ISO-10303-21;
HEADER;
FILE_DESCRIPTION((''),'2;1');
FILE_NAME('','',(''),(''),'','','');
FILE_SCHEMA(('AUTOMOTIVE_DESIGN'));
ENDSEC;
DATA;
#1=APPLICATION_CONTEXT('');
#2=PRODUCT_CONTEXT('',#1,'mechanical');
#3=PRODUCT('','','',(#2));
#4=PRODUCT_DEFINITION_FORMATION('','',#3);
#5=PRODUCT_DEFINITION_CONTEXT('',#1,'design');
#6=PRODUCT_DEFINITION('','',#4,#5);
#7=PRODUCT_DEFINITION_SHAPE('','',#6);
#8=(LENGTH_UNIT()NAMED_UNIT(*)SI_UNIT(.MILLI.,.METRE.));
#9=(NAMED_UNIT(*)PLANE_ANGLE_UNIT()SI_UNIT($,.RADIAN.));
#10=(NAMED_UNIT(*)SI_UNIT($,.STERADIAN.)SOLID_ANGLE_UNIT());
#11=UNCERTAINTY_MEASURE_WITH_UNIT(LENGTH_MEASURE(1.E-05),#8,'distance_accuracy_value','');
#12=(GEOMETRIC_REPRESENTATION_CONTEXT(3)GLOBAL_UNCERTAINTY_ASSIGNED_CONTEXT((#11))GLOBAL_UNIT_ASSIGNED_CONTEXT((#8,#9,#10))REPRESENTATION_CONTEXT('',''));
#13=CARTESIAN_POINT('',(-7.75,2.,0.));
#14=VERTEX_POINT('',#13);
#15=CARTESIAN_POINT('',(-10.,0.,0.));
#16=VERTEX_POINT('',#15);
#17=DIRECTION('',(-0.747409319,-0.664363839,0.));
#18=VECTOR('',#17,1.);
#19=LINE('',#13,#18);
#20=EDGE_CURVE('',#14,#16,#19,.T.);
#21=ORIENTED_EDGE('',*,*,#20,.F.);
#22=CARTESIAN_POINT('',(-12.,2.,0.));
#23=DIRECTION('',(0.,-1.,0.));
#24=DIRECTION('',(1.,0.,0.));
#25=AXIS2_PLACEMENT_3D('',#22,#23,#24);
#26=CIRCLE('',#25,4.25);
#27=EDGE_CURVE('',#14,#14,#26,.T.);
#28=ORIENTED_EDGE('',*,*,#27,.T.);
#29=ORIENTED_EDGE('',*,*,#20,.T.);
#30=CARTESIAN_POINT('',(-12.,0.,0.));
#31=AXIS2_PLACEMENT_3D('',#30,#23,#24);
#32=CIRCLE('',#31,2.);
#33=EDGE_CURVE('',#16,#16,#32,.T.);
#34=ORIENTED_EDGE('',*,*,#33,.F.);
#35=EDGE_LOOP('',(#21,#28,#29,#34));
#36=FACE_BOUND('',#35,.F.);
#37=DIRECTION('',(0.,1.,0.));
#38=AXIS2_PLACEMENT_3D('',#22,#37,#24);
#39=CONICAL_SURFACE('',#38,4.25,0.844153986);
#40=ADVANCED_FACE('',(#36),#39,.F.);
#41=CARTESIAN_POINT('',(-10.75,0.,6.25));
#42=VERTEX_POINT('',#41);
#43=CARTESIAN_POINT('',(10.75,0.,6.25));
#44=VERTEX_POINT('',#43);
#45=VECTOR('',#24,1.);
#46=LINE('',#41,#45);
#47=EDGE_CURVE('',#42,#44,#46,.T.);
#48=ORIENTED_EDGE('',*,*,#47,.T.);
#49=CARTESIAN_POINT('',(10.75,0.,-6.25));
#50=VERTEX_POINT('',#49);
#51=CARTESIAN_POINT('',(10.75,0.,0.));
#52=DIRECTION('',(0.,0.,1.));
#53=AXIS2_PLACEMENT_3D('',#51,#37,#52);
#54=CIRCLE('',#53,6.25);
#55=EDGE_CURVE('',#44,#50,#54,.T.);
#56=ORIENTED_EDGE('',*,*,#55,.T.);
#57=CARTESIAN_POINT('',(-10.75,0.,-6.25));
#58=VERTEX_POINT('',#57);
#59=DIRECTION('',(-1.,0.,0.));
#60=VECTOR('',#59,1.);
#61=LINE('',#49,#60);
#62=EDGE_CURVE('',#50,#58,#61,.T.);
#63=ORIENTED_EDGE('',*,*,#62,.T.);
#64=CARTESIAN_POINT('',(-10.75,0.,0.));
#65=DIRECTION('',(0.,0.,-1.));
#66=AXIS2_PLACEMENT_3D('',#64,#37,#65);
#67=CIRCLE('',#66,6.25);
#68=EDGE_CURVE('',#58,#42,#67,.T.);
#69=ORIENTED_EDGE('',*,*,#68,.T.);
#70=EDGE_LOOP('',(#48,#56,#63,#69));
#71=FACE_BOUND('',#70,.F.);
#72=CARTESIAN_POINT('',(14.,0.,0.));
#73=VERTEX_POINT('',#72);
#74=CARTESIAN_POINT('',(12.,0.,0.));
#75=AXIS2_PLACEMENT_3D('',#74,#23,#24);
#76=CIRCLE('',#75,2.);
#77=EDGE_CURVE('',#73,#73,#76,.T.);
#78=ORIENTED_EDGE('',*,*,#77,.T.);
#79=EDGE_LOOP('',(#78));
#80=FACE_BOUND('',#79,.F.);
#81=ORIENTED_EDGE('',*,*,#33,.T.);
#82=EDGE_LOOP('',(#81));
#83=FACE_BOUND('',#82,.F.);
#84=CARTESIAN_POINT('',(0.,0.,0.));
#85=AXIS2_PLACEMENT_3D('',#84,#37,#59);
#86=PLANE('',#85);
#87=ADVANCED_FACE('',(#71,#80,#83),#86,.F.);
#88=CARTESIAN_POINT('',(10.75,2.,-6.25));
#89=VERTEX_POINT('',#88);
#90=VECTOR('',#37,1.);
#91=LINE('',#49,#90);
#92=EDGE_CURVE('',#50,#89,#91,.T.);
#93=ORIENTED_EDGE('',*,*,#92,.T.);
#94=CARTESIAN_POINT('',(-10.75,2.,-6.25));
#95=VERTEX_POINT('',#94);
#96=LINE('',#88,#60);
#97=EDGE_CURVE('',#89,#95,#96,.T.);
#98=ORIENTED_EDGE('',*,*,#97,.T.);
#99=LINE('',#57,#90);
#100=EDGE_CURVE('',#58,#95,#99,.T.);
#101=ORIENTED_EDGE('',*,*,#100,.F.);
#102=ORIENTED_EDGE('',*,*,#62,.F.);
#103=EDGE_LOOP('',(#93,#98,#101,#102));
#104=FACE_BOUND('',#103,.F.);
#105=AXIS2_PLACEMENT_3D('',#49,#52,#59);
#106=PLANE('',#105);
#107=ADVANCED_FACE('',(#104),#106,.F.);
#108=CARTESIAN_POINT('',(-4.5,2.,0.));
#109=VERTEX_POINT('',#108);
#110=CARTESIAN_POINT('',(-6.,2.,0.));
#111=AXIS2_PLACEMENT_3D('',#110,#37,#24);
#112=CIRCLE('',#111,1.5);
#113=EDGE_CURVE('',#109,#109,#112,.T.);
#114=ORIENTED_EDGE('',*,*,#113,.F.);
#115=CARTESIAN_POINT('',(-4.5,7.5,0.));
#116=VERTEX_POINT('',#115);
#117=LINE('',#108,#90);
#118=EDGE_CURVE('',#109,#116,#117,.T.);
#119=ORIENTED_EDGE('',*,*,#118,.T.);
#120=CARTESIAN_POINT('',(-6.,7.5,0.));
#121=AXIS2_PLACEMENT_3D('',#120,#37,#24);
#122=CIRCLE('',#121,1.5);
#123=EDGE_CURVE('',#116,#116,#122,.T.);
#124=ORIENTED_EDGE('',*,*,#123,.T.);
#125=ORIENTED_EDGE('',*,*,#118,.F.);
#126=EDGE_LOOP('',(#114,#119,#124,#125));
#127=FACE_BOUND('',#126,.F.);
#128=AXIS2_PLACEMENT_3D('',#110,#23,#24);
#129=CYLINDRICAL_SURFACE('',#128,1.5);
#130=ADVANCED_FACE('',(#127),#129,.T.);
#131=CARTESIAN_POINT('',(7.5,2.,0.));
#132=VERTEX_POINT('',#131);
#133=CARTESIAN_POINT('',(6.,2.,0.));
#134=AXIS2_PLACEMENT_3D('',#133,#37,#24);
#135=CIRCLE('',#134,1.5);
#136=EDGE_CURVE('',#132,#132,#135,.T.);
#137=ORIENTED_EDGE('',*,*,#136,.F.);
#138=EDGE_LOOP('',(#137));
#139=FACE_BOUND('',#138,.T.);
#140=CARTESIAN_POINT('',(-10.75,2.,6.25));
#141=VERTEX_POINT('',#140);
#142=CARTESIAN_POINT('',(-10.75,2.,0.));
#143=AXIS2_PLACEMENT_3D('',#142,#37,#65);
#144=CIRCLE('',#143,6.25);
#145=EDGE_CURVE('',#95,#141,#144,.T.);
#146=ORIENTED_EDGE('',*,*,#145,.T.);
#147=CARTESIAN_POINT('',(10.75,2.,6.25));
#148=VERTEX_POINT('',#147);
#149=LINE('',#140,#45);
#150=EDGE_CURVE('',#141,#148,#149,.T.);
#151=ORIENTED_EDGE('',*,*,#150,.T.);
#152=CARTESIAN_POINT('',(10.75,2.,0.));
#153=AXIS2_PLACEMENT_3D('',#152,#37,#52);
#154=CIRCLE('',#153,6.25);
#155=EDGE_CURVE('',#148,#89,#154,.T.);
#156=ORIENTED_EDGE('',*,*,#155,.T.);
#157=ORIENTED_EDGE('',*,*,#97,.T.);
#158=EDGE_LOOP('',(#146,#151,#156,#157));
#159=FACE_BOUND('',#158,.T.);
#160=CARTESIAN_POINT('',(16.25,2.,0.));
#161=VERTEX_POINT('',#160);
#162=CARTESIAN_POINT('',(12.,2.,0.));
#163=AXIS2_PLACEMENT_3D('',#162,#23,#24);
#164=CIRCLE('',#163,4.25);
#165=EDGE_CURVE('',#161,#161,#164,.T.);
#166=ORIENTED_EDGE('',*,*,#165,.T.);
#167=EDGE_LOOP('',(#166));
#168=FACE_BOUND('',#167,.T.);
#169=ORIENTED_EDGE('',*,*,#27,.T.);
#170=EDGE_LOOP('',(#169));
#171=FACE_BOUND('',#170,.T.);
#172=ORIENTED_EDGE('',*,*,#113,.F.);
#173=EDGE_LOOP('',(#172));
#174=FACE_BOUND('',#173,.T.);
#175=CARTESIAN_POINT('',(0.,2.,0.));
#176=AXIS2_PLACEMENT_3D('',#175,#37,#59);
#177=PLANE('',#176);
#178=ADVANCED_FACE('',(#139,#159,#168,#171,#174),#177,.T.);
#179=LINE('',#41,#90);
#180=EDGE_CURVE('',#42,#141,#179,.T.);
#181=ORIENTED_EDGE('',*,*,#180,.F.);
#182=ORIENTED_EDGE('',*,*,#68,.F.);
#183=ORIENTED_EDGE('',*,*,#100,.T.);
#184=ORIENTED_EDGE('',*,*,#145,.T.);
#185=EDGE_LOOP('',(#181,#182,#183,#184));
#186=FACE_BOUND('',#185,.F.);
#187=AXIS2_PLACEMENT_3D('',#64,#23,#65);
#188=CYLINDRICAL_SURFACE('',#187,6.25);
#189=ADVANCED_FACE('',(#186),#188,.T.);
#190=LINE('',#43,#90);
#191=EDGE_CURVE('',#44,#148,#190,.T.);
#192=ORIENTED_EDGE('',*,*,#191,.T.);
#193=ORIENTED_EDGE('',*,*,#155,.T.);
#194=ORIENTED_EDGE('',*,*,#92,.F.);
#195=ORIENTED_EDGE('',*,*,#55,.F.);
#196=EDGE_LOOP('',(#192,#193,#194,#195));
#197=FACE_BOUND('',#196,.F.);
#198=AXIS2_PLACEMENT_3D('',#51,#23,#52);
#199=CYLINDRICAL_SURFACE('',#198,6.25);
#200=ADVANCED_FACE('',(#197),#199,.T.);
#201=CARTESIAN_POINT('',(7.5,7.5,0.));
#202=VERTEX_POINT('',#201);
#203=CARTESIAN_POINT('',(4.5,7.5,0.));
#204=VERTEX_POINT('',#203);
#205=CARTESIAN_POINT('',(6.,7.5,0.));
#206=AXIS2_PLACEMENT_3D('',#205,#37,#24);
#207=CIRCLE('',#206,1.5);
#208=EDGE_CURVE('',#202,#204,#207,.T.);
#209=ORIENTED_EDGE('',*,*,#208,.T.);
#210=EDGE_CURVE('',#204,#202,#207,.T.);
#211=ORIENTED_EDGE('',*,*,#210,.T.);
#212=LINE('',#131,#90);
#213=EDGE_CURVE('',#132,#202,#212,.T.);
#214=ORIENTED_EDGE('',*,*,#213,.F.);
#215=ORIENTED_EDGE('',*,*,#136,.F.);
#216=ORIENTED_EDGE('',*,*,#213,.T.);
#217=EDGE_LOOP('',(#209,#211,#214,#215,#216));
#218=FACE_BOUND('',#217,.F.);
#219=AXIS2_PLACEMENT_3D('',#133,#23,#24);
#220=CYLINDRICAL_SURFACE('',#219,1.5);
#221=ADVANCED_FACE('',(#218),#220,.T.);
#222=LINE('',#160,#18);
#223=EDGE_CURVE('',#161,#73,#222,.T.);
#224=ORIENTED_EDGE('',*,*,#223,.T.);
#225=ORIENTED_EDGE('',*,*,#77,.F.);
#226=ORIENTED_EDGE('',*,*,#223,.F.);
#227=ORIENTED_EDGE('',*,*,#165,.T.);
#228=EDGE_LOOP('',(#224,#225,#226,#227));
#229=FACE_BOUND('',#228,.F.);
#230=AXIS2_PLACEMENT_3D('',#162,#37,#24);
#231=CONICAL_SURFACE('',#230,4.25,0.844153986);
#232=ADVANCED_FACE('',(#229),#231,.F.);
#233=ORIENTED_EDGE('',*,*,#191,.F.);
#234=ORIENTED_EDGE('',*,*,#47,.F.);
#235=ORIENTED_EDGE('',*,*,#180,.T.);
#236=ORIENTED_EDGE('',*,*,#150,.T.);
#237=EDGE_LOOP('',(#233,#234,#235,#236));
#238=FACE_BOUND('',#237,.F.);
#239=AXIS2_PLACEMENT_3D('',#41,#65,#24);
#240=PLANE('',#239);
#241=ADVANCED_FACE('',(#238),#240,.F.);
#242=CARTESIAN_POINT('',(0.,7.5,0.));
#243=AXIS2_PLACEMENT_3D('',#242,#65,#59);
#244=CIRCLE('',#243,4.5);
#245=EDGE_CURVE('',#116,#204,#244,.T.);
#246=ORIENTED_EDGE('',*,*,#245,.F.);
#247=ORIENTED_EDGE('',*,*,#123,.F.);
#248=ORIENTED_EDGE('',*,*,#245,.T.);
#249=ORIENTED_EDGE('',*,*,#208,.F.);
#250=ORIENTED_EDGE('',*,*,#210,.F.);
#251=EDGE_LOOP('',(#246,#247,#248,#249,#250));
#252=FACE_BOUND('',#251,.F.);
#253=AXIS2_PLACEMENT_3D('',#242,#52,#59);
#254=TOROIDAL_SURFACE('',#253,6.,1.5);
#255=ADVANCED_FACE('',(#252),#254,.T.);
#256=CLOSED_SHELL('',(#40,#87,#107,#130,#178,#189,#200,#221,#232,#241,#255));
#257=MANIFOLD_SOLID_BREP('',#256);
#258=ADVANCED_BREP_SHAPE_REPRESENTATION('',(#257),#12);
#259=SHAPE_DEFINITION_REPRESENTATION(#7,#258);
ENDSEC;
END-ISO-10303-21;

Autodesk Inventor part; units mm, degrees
sketch "Sketch_1" plane through (0, 0, 0) normal (0, 1, 0) x (-1, 0, 0)
  arc A0 (10.75, -6.25) -> (10.75, 6.25) centre (10.75, 0) ccw
  line L0 (10.75, 6.25) -> (-10.75, 6.25)
  arc A1 (-10.75, 6.25) -> (-10.75, -6.25) centre (-10.75, 0) ccw
  line L1 (-10.75, -6.25) -> (10.75, -6.25)
extrude "Extrusion1" add sketch "Sketch_1" along normal blind 2
sketch "Sketch_2" plane through (0, 2, 0) normal (0, 1, 0) x (1, 0, 0)
  circle A0 centre (-6, 0) radius 1.5
extrude "Extrusion2" add sketch "Sketch_2" along normal blind 5.5
sketch "Sketch_3" plane through (0, 2, 0) normal (0, 1, 0) x (1, 0, 0)
  circle A0 centre (6, 0) radius 1.5
extrude "Extrusion3" add sketch "Sketch_3" along normal blind 5.5
sketch "Sketch_4" plane through (0, 7.5, 0) normal (0, 1, 0) x (1, 0, 0)
  line L0 (0, 5) -> (0, -5)
  circle A0 centre (-6, 0) radius 1.5
revolve "Revolution1" add sketch "Sketch_4" angle 180 about axis through (0, 7.5, -5) along (0, 0, -1)
sketch "Sketch_5" plane through (0, 0, 0) normal (0, 0, 1) x (1, 0, 0)
  line L0 (-12, 0) -> (-12, 2)
  line L1 (-12, 2) -> (-7.75, 2)
  line L2 (-7.75, 2) -> (-10, 0)
  line L3 (-10, 0) -> (-12, 0)
  line L4 (-12, 0) -> (-12, 2)
revolve "Revolution2" cut sketch "Sketch_5" angle 360 about axis through (-12, 0, 0) along (0, -1, 0)
sketch "Sketch_7" plane through (0, 0, 0) normal (0, 0, 1) x (1, 0, 0)
  line L0 (12, 0) -> (12, 2)
  line L1 (12, 2) -> (16.25, 2)
  line L2 (16.25, 2) -> (14, 0)
  line L3 (14, 0) -> (12, 0)
  line L4 (12, 0) -> (12, 2)
revolve "Revolution3" cut sketch "Sketch_7" angle 360 about axis through (12, 0, 0) along (0, -1, 0)
ref_plane "cp1_XY" through (-12, 0, 0) normal (0, 1, 0) x (1, 0, 0)
ref_plane "cp1_YZ" through (-12, 0, 0) normal (1, 0, 0) x (0, 0, -1)
ref_plane "cp1_ZX" through (-12, 0, 0) normal (0, 0, -1) x (0, 1, 0)
ref_plane "cp2_XY" through (12, 0, 0) normal (0, 1, 0) x (1, 0, 0)
ref_plane "cp2_YZ" through (12, 0, 0) normal (1, 0, 0) x (0, 0, -1)
ref_plane "cp2_ZX" through (12, 0, 0) normal (0, 0, -1) x (0, 1, 0)
ref_plane "to_wire_XY" through (0, 13.5, 0) normal (1, 0, 0) x (0, 0, -1)
ref_plane "to_wire_YZ" through (0, 13.5, 0) normal (0, 0, -1) x (0, 1, 0)
ref_plane "to_wire_ZX" through (0, 13.5, 0) normal (0, 1, 0) x (1, 0, 0)
properties part number "TKCb"
